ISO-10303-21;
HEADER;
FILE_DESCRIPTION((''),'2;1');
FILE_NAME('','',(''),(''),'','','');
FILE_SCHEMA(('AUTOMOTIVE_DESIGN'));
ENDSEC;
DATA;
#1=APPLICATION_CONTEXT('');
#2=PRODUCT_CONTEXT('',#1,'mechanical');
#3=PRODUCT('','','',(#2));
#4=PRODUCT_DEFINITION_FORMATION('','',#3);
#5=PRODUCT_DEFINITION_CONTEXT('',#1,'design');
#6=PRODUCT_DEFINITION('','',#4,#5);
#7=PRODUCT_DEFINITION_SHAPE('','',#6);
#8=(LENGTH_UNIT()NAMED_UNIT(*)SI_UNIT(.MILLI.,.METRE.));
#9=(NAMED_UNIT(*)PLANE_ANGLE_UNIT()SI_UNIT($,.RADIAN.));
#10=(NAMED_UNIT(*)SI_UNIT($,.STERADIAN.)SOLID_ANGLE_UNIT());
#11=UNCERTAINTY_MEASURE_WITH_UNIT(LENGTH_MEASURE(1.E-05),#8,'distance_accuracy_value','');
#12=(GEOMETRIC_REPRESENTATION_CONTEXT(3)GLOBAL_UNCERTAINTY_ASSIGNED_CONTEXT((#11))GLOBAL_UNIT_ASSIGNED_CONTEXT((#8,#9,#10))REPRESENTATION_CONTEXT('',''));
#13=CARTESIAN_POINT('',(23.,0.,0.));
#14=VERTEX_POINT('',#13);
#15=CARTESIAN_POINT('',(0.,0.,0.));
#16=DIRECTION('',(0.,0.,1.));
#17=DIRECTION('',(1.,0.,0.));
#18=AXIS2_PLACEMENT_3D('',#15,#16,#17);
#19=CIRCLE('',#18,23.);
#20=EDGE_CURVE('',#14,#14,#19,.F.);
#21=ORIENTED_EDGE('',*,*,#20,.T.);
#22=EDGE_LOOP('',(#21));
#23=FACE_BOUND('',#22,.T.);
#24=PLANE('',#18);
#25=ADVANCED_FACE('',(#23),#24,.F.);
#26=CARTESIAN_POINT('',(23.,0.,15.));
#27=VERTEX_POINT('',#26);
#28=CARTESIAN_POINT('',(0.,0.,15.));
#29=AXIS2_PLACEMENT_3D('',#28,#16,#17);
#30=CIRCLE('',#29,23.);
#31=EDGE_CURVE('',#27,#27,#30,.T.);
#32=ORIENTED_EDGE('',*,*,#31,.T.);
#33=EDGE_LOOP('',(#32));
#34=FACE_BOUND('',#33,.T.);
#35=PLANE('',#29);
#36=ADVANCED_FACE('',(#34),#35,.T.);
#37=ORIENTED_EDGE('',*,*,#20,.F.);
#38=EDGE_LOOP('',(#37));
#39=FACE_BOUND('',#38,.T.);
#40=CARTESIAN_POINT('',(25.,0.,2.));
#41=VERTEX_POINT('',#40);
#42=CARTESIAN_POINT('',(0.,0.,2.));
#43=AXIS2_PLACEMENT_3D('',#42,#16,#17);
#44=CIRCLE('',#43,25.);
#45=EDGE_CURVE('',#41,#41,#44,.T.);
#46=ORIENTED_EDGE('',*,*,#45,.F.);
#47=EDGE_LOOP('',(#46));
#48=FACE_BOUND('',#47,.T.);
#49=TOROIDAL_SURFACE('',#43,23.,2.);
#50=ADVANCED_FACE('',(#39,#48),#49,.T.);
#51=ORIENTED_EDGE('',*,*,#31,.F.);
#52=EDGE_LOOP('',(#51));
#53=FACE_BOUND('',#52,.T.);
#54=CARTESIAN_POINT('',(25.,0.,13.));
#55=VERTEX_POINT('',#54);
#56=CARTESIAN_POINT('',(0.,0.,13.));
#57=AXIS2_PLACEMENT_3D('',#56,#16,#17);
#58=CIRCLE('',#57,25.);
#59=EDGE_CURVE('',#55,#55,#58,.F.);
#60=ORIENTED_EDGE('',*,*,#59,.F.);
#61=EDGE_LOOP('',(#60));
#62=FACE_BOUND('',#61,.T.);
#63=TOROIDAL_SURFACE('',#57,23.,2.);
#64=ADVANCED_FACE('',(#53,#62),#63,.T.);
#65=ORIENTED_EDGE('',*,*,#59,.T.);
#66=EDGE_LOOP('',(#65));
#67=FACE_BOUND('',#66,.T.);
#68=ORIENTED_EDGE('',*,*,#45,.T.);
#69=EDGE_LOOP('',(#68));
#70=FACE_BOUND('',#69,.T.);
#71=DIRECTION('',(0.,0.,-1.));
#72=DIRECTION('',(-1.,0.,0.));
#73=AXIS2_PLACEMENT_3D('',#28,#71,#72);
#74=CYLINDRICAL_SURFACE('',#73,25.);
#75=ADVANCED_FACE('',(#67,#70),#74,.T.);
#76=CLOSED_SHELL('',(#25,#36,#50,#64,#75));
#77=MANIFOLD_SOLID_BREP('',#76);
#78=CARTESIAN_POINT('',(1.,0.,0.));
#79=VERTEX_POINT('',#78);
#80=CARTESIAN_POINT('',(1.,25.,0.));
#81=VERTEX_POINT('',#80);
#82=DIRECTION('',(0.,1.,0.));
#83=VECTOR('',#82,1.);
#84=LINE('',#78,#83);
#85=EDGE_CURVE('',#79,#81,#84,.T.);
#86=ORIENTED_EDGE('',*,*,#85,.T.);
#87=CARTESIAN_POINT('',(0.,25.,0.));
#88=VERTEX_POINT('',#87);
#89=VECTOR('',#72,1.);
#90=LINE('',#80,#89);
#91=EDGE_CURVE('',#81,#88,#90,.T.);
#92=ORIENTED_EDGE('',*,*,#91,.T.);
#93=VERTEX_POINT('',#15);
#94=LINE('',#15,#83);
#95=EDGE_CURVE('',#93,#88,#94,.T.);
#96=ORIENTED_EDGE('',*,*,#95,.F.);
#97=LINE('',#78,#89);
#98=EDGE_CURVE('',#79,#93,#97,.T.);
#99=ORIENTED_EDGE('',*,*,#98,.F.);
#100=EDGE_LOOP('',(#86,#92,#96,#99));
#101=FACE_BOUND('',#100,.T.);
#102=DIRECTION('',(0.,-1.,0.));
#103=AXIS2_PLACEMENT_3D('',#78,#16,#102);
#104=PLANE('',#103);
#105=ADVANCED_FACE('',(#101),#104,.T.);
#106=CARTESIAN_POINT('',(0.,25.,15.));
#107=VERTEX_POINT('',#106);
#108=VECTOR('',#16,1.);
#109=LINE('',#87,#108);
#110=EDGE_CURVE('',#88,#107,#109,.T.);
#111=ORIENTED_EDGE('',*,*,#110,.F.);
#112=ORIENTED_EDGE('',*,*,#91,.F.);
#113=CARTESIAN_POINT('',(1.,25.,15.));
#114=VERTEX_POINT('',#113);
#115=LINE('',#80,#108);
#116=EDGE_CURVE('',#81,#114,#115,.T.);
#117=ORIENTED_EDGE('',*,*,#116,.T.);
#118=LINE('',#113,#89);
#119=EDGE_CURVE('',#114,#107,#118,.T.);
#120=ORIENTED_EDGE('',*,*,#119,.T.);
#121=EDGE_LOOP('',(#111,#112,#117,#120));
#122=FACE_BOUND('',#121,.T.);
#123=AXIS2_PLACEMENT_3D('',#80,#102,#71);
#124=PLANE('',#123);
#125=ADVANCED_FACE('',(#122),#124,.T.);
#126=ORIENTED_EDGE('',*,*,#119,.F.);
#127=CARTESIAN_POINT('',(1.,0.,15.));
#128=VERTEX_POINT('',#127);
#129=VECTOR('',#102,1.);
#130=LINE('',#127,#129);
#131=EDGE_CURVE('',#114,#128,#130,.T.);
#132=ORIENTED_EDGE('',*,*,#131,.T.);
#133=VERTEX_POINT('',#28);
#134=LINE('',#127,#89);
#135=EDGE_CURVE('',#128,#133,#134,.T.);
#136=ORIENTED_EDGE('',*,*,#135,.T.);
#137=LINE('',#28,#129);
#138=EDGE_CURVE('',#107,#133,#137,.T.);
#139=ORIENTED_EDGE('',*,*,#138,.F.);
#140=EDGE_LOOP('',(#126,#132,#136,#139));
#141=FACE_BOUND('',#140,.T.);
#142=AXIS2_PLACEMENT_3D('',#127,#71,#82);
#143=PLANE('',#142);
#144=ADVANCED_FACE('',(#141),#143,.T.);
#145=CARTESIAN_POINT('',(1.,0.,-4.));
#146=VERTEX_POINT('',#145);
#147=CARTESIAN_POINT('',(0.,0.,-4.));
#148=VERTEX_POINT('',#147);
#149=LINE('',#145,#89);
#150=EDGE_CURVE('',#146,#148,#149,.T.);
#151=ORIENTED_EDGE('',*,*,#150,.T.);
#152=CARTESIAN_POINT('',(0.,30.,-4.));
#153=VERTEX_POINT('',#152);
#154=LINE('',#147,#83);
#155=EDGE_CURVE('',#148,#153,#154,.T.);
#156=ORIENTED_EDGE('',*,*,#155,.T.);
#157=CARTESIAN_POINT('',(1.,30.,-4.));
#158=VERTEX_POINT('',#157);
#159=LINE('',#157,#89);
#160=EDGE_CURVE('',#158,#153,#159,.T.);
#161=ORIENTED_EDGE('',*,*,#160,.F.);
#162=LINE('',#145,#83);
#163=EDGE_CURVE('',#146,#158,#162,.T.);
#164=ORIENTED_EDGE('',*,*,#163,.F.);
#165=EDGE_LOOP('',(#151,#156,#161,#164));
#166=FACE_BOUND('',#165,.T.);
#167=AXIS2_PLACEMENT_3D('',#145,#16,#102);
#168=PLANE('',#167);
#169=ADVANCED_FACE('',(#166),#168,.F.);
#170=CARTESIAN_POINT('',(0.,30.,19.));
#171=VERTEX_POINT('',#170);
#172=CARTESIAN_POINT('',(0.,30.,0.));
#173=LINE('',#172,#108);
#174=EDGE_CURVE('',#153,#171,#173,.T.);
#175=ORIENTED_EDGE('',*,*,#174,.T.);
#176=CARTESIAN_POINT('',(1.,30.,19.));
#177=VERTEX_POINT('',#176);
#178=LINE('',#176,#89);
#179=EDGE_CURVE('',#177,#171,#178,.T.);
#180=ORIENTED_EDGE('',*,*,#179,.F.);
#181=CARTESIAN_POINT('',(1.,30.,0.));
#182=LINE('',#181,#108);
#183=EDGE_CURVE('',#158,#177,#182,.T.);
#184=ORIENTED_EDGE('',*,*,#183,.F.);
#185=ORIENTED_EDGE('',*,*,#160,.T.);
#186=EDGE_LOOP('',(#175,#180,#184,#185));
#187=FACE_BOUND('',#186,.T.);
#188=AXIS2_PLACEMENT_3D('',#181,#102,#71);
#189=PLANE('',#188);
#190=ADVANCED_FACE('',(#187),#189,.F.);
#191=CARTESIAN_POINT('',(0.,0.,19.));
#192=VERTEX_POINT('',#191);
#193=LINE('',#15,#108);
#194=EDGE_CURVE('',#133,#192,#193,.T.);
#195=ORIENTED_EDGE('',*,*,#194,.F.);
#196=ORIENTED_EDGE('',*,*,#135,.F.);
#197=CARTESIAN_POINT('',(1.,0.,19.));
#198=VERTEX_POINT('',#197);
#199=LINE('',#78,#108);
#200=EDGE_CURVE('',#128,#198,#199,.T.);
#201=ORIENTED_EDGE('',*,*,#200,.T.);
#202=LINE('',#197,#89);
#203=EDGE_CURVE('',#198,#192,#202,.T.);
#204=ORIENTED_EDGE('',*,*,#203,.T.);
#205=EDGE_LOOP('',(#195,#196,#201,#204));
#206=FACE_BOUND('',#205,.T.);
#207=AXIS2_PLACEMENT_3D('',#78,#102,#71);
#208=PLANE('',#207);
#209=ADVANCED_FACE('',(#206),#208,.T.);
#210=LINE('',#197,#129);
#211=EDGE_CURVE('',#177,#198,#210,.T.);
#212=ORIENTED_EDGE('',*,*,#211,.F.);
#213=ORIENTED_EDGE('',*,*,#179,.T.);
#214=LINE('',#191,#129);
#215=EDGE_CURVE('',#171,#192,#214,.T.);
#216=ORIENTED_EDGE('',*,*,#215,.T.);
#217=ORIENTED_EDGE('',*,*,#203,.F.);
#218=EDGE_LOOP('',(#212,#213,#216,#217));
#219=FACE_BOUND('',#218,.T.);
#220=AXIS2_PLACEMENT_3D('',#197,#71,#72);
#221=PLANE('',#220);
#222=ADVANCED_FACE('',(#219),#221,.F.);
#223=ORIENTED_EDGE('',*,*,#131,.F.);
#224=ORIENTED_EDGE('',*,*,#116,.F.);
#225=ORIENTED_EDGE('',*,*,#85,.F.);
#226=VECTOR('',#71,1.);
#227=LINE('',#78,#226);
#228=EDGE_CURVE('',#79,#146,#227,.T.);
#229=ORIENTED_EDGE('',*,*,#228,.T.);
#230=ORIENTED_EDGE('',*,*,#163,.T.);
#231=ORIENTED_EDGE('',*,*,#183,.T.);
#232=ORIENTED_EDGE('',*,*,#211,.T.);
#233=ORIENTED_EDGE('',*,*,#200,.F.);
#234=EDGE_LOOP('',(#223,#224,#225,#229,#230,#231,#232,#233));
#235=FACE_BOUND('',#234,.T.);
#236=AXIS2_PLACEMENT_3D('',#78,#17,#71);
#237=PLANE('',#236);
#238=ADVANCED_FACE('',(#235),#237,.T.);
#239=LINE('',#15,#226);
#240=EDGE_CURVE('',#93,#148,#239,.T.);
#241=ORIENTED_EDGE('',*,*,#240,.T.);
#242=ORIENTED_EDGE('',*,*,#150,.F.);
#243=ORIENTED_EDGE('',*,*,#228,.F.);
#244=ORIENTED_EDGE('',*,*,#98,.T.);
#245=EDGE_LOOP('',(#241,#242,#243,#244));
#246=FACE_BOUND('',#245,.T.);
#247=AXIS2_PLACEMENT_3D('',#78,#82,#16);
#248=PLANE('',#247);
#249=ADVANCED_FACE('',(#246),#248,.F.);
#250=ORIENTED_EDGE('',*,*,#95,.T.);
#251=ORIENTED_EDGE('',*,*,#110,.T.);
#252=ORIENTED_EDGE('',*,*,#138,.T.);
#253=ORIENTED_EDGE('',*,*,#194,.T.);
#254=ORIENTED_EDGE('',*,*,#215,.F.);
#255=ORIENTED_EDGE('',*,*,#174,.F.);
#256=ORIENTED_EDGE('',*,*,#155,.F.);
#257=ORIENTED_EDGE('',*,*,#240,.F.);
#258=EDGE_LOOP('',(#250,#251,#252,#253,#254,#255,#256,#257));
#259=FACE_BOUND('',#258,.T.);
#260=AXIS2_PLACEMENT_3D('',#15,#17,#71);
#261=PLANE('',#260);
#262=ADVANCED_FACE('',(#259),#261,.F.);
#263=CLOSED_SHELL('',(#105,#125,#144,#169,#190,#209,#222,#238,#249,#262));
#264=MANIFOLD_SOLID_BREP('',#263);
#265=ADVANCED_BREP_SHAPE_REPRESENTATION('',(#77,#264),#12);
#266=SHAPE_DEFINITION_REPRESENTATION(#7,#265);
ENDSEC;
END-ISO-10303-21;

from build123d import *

# Parameters (mm, degrees)
SKETCH1_R           = 25
BOSS_EXTRUDE1_DEPTH = 15
SKETCH2_W           = 15
SKETCH2_H           = 5
SKETCH2_W_2         = 4
SKETCH2_H_2         = 30
BOSS_EXTRUDE3_DEPTH = 1
FILLET1_R           = 2


with BuildPart() as part:
    # Sketch1 → Boss-Extrude1 (new body)
    with BuildSketch(Plane.XY):
        Circle(SKETCH1_R)
    extrude(amount=BOSS_EXTRUDE1_DEPTH)

    # Fillet1
    fillet1_edges = [part.edges().sort_by_distance(p)[0] for p in [
        (-25, 0, 0),
        (-25, 0, 15),
    ]]
    fillet(fillet1_edges, radius=FILLET1_R)


with BuildPart() as body_2:
    # Sketch2 → Boss-Extrude3 (new body)
    with BuildSketch(Plane(origin=(0, 0, 0), x_dir=(0, 0, -1), z_dir=(1, 0, 0))):
        Polygon((-15, 0), (-15, 25), (-15, 30), (-19, 30), (-19, 0), align=None)
        with Locations((-7.5, 27.5)):
            Rectangle(SKETCH2_W, SKETCH2_H)
        with Locations((2, 15)):
            Rectangle(SKETCH2_W_2, SKETCH2_H_2)
    extrude(amount=BOSS_EXTRUDE3_DEPTH)


solid = Compound([part.part, body_2.part])
